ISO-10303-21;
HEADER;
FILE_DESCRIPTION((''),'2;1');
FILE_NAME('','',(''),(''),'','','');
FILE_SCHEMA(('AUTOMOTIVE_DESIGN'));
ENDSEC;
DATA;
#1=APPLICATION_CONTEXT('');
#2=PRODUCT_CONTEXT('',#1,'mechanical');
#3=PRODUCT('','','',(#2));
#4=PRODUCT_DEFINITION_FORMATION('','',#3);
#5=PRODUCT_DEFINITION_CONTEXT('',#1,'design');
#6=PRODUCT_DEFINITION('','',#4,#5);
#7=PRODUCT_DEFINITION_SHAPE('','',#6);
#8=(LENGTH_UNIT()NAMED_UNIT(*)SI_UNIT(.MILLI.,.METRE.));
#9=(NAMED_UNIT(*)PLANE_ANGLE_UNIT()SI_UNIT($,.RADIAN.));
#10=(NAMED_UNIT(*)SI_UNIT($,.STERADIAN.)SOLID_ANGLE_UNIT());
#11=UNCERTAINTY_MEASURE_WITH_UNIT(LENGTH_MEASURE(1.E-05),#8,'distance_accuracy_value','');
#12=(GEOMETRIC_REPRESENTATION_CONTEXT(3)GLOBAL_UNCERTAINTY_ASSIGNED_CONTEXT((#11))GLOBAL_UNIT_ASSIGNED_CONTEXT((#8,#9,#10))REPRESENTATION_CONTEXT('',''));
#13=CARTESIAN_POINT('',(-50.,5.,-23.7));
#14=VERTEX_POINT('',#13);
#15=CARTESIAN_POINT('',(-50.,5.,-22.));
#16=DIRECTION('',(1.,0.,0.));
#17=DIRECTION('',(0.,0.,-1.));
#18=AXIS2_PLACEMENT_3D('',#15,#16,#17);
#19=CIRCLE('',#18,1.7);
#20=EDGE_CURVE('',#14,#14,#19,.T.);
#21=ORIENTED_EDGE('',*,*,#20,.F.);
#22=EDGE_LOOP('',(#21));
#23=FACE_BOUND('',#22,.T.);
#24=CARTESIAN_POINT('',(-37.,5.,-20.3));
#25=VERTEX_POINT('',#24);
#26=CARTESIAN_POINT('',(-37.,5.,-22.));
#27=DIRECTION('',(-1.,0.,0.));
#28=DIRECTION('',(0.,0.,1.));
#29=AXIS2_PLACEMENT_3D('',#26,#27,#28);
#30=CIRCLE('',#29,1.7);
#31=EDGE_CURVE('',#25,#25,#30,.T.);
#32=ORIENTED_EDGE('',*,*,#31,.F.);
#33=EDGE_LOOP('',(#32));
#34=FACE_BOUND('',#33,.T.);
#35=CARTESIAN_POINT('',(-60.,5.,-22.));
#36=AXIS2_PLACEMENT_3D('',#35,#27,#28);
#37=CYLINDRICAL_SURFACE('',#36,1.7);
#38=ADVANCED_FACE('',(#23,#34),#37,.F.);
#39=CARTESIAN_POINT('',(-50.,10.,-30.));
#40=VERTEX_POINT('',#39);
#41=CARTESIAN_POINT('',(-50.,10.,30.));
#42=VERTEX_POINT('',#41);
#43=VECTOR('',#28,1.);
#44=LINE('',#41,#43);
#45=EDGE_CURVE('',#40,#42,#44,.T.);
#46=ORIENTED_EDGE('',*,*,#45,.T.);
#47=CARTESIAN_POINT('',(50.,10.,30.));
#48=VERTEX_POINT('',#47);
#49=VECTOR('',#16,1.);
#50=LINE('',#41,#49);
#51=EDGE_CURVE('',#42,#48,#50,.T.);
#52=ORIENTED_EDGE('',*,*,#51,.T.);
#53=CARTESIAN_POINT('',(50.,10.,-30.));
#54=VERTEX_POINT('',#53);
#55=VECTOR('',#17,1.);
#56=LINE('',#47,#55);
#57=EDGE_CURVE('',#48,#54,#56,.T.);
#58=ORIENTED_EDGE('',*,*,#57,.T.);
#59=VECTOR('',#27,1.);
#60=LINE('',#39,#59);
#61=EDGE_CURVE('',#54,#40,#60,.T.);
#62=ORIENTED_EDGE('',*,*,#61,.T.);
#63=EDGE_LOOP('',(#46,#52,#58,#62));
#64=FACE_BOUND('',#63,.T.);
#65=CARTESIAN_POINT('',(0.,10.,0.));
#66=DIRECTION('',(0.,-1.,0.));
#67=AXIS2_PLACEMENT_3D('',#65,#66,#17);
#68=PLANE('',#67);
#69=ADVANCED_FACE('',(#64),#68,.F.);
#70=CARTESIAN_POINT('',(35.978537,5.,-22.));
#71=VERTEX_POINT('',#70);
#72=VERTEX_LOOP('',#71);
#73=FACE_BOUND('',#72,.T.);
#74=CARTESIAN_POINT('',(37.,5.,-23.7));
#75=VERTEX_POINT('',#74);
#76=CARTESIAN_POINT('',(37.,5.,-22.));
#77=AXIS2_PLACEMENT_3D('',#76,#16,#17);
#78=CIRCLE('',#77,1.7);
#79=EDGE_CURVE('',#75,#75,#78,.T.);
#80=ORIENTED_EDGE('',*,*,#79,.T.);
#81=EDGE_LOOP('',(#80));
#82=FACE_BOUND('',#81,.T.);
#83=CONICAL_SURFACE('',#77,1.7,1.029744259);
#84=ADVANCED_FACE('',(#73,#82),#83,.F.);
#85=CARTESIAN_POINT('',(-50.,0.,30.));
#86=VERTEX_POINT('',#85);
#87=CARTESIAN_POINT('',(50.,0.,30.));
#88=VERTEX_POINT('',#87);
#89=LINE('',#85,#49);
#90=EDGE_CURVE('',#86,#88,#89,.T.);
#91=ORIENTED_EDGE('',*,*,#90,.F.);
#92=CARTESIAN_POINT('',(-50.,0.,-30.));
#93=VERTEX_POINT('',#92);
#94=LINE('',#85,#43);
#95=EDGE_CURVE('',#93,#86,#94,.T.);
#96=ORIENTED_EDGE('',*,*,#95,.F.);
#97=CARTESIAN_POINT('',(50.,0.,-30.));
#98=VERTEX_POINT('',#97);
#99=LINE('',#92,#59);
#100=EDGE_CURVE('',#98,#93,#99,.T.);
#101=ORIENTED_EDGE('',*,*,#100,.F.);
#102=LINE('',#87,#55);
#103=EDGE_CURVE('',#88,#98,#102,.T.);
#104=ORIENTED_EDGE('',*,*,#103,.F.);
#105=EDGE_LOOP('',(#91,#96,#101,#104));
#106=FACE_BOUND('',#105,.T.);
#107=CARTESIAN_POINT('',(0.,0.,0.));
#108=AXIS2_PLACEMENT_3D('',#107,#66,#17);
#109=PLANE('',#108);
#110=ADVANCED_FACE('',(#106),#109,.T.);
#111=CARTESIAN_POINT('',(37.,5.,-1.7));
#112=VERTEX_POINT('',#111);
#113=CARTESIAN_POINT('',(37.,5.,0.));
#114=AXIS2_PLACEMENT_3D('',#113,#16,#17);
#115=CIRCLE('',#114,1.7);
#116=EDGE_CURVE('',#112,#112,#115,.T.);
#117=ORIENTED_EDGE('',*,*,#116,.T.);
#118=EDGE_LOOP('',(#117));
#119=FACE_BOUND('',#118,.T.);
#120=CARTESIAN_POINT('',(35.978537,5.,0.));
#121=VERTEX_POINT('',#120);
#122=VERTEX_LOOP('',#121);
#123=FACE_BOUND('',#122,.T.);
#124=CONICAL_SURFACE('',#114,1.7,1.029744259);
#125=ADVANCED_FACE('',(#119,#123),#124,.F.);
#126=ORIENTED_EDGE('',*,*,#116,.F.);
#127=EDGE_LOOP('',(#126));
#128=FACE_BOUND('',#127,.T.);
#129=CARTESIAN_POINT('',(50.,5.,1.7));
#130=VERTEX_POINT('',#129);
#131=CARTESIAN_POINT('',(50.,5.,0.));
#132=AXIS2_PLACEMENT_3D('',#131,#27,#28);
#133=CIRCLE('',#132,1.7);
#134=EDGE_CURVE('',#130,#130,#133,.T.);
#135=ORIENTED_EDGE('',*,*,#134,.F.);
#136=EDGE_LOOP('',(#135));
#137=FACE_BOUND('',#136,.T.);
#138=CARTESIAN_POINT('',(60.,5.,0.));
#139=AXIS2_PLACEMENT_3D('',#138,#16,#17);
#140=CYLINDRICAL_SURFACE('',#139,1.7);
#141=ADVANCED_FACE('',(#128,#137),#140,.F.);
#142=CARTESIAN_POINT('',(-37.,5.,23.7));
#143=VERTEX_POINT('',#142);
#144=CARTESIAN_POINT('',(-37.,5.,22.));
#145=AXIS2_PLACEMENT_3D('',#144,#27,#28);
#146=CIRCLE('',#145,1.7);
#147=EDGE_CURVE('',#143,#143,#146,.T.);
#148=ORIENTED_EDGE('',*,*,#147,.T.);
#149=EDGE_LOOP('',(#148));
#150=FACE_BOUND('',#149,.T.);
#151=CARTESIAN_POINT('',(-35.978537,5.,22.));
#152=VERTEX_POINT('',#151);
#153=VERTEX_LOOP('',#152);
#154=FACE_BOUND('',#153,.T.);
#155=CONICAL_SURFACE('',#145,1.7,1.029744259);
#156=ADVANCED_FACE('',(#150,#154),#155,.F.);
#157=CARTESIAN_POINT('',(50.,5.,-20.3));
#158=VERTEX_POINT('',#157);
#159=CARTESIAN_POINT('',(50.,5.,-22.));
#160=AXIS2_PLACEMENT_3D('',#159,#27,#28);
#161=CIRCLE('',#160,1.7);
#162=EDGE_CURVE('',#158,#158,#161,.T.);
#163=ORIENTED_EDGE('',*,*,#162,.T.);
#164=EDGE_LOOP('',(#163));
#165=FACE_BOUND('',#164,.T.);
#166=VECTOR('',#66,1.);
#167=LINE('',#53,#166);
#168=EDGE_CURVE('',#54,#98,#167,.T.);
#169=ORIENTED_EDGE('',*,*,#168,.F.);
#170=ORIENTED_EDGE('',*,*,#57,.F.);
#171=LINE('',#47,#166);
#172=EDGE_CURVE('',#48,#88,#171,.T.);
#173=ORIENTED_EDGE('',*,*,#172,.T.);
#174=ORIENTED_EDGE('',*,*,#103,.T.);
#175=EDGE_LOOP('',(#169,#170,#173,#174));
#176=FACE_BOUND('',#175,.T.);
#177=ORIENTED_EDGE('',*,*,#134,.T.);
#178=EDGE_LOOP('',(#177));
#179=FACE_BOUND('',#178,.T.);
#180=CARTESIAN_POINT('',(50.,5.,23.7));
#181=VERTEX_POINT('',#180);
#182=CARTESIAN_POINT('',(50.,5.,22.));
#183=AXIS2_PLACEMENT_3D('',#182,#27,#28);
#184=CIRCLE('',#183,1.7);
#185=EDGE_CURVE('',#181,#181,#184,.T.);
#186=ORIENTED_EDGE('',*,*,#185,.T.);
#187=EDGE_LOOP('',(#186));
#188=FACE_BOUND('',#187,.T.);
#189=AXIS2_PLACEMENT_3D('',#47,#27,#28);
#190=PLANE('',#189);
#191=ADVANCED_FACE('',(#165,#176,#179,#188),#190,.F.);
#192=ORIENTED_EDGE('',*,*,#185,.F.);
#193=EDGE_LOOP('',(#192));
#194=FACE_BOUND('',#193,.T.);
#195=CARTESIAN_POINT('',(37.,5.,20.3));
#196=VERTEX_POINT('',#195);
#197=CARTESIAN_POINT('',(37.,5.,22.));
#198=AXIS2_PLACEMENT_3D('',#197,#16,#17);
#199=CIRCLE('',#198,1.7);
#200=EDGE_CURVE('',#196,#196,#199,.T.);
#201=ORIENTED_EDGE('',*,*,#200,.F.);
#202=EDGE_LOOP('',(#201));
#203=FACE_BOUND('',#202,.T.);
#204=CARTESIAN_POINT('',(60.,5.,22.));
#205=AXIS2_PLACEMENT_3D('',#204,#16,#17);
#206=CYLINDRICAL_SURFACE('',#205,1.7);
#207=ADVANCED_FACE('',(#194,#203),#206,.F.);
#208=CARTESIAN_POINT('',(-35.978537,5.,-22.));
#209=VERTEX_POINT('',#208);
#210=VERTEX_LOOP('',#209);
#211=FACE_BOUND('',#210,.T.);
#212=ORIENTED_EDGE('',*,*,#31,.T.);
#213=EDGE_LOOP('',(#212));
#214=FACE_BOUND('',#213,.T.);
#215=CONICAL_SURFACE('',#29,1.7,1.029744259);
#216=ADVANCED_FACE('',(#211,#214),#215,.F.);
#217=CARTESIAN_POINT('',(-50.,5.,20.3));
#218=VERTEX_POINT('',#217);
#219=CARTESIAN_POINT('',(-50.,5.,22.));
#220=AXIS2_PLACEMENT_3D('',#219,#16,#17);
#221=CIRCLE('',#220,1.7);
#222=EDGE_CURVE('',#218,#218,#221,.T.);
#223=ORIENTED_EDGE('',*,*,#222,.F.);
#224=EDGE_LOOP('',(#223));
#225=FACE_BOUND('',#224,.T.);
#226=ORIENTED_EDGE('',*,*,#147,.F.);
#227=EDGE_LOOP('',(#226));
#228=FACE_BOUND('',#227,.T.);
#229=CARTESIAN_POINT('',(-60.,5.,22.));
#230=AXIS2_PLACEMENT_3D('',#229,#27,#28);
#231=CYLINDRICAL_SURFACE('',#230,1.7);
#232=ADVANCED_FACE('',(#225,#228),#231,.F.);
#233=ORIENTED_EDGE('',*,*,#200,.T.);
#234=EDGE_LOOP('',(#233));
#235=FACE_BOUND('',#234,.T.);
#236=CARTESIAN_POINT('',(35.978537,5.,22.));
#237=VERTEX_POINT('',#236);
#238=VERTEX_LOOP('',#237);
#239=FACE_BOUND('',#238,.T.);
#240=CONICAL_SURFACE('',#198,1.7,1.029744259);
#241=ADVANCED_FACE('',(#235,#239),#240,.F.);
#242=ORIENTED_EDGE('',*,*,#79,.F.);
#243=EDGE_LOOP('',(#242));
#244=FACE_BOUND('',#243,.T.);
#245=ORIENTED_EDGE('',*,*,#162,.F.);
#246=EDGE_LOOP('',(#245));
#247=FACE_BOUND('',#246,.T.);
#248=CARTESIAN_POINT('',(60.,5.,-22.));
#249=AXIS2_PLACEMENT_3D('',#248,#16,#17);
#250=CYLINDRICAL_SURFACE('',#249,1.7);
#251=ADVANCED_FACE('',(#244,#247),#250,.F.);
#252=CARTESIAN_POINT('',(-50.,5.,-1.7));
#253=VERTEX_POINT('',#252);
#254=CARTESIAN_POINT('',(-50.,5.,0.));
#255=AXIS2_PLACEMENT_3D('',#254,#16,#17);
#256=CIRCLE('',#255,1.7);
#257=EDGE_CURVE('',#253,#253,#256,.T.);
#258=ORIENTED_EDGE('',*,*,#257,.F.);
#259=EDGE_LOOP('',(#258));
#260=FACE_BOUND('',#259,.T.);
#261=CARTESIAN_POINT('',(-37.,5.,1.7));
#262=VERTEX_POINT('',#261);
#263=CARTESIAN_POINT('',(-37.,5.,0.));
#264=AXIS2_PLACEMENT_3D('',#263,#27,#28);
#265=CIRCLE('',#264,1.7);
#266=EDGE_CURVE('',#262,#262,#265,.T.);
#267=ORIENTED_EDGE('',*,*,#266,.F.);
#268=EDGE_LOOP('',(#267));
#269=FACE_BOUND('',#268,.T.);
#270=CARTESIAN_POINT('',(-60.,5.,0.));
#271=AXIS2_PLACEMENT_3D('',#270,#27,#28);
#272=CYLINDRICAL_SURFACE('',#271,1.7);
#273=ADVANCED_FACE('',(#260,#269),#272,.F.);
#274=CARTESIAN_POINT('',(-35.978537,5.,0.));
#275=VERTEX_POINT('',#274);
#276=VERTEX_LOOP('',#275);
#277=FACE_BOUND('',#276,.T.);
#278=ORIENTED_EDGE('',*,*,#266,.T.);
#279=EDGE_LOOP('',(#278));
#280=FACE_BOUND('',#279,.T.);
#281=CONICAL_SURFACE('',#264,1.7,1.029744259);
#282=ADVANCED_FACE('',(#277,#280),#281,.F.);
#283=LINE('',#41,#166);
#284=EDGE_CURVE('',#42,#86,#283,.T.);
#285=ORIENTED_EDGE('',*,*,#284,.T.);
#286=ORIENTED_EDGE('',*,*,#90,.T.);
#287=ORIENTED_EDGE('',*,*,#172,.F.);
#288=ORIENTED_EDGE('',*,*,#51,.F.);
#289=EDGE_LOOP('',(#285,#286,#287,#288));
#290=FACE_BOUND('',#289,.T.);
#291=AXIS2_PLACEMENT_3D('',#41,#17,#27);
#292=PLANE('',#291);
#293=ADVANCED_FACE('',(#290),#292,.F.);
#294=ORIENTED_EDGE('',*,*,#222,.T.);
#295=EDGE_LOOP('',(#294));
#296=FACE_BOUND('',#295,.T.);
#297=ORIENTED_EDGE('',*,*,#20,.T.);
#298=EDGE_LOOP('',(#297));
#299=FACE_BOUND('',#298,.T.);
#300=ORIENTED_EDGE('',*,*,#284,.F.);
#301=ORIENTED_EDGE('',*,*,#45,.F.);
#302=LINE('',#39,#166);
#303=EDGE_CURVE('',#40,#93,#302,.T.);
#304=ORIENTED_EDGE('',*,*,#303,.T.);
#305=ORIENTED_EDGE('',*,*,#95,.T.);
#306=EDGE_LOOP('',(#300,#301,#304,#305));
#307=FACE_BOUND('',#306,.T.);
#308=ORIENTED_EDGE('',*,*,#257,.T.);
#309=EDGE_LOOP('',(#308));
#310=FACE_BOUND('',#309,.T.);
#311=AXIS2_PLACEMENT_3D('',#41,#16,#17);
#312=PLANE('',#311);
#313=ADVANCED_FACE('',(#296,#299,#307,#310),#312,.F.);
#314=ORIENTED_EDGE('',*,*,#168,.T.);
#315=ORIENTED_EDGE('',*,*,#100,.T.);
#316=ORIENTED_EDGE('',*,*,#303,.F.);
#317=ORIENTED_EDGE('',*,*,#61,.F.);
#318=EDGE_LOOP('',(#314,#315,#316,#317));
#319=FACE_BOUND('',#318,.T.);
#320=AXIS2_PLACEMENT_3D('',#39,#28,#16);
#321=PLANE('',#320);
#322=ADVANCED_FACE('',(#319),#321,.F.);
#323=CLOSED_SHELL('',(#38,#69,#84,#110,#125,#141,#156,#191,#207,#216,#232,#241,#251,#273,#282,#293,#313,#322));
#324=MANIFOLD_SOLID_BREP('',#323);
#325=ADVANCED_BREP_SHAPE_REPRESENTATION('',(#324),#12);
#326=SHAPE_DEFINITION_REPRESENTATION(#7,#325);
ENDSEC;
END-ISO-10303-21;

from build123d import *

# Parameters (mm, degrees)
SKETCH1_W                      = 100
SKETCH1_H                      = 60
BOSS_EXTRUDE1_DEPTH            = 10
CBORE_FOR_M3_SHCS1_D           = 3.4
CBORE_FOR_M3_SHCS1_DEPTH       = 23
CBORE_FOR_M3_SHCS1_CBORE_D     = 6.5
CBORE_FOR_M3_SHCS1_CBORE_DEPTH = 3
CBORE_FOR_M3_SHCS1_TIP         = 1.021463052
CBORE_FOR_M3_SHCS2_D           = 3.4
CBORE_FOR_M3_SHCS2_DEPTH       = 23
CBORE_FOR_M3_SHCS2_CBORE_D     = 6.5
CBORE_FOR_M3_SHCS2_CBORE_DEPTH = 3
CBORE_FOR_M3_SHCS2_TIP         = 1.021463052


with BuildPart() as part:
    # Sketch1 → Boss-Extrude1 (new body)
    with BuildSketch(Plane(origin=(0, 0, 0), x_dir=(1, 0, 0), z_dir=(0, 1, 0))):
        Rectangle(SKETCH1_W, SKETCH1_H)
    extrude(amount=BOSS_EXTRUDE1_DEPTH)

    # CBORE for M3 SHCS1
    with Locations(Plane(origin=(60, -888.012147263, -1303.282701689), x_dir=(0, 0, -1), z_dir=(1, 0, 0))):
        with Locations((-1281.282701689, 893.012147263), (-1325.282701689, 893.012147263), (-1303.282701689, 893.012147263)):
            CounterBoreHole(CBORE_FOR_M3_SHCS1_D / 2, CBORE_FOR_M3_SHCS1_CBORE_D / 2, CBORE_FOR_M3_SHCS1_CBORE_DEPTH, depth=CBORE_FOR_M3_SHCS1_DEPTH)
            with Locations((0, 0, -(CBORE_FOR_M3_SHCS1_DEPTH + CBORE_FOR_M3_SHCS1_TIP / 2))):  # 118° drill point
                Cone(0, CBORE_FOR_M3_SHCS1_D / 2, CBORE_FOR_M3_SHCS1_TIP, mode=Mode.SUBTRACT)

    # CBORE for M3 SHCS2
    with Locations(Plane(origin=(-60, -888.012147263, -1303.282701689), x_dir=(0, 0, 1), z_dir=(-1, 0, 0))):
        with Locations((1281.282701689, 893.012147263), (1325.282701689, 893.012147263), (1303.282701689, 893.012147263)):
            CounterBoreHole(CBORE_FOR_M3_SHCS2_D / 2, CBORE_FOR_M3_SHCS2_CBORE_D / 2, CBORE_FOR_M3_SHCS2_CBORE_DEPTH, depth=CBORE_FOR_M3_SHCS2_DEPTH)
            with Locations((0, 0, -(CBORE_FOR_M3_SHCS2_DEPTH + CBORE_FOR_M3_SHCS2_TIP / 2))):  # 118° drill point
                Cone(0, CBORE_FOR_M3_SHCS2_D / 2, CBORE_FOR_M3_SHCS2_TIP, mode=Mode.SUBTRACT)


solid = part.part
